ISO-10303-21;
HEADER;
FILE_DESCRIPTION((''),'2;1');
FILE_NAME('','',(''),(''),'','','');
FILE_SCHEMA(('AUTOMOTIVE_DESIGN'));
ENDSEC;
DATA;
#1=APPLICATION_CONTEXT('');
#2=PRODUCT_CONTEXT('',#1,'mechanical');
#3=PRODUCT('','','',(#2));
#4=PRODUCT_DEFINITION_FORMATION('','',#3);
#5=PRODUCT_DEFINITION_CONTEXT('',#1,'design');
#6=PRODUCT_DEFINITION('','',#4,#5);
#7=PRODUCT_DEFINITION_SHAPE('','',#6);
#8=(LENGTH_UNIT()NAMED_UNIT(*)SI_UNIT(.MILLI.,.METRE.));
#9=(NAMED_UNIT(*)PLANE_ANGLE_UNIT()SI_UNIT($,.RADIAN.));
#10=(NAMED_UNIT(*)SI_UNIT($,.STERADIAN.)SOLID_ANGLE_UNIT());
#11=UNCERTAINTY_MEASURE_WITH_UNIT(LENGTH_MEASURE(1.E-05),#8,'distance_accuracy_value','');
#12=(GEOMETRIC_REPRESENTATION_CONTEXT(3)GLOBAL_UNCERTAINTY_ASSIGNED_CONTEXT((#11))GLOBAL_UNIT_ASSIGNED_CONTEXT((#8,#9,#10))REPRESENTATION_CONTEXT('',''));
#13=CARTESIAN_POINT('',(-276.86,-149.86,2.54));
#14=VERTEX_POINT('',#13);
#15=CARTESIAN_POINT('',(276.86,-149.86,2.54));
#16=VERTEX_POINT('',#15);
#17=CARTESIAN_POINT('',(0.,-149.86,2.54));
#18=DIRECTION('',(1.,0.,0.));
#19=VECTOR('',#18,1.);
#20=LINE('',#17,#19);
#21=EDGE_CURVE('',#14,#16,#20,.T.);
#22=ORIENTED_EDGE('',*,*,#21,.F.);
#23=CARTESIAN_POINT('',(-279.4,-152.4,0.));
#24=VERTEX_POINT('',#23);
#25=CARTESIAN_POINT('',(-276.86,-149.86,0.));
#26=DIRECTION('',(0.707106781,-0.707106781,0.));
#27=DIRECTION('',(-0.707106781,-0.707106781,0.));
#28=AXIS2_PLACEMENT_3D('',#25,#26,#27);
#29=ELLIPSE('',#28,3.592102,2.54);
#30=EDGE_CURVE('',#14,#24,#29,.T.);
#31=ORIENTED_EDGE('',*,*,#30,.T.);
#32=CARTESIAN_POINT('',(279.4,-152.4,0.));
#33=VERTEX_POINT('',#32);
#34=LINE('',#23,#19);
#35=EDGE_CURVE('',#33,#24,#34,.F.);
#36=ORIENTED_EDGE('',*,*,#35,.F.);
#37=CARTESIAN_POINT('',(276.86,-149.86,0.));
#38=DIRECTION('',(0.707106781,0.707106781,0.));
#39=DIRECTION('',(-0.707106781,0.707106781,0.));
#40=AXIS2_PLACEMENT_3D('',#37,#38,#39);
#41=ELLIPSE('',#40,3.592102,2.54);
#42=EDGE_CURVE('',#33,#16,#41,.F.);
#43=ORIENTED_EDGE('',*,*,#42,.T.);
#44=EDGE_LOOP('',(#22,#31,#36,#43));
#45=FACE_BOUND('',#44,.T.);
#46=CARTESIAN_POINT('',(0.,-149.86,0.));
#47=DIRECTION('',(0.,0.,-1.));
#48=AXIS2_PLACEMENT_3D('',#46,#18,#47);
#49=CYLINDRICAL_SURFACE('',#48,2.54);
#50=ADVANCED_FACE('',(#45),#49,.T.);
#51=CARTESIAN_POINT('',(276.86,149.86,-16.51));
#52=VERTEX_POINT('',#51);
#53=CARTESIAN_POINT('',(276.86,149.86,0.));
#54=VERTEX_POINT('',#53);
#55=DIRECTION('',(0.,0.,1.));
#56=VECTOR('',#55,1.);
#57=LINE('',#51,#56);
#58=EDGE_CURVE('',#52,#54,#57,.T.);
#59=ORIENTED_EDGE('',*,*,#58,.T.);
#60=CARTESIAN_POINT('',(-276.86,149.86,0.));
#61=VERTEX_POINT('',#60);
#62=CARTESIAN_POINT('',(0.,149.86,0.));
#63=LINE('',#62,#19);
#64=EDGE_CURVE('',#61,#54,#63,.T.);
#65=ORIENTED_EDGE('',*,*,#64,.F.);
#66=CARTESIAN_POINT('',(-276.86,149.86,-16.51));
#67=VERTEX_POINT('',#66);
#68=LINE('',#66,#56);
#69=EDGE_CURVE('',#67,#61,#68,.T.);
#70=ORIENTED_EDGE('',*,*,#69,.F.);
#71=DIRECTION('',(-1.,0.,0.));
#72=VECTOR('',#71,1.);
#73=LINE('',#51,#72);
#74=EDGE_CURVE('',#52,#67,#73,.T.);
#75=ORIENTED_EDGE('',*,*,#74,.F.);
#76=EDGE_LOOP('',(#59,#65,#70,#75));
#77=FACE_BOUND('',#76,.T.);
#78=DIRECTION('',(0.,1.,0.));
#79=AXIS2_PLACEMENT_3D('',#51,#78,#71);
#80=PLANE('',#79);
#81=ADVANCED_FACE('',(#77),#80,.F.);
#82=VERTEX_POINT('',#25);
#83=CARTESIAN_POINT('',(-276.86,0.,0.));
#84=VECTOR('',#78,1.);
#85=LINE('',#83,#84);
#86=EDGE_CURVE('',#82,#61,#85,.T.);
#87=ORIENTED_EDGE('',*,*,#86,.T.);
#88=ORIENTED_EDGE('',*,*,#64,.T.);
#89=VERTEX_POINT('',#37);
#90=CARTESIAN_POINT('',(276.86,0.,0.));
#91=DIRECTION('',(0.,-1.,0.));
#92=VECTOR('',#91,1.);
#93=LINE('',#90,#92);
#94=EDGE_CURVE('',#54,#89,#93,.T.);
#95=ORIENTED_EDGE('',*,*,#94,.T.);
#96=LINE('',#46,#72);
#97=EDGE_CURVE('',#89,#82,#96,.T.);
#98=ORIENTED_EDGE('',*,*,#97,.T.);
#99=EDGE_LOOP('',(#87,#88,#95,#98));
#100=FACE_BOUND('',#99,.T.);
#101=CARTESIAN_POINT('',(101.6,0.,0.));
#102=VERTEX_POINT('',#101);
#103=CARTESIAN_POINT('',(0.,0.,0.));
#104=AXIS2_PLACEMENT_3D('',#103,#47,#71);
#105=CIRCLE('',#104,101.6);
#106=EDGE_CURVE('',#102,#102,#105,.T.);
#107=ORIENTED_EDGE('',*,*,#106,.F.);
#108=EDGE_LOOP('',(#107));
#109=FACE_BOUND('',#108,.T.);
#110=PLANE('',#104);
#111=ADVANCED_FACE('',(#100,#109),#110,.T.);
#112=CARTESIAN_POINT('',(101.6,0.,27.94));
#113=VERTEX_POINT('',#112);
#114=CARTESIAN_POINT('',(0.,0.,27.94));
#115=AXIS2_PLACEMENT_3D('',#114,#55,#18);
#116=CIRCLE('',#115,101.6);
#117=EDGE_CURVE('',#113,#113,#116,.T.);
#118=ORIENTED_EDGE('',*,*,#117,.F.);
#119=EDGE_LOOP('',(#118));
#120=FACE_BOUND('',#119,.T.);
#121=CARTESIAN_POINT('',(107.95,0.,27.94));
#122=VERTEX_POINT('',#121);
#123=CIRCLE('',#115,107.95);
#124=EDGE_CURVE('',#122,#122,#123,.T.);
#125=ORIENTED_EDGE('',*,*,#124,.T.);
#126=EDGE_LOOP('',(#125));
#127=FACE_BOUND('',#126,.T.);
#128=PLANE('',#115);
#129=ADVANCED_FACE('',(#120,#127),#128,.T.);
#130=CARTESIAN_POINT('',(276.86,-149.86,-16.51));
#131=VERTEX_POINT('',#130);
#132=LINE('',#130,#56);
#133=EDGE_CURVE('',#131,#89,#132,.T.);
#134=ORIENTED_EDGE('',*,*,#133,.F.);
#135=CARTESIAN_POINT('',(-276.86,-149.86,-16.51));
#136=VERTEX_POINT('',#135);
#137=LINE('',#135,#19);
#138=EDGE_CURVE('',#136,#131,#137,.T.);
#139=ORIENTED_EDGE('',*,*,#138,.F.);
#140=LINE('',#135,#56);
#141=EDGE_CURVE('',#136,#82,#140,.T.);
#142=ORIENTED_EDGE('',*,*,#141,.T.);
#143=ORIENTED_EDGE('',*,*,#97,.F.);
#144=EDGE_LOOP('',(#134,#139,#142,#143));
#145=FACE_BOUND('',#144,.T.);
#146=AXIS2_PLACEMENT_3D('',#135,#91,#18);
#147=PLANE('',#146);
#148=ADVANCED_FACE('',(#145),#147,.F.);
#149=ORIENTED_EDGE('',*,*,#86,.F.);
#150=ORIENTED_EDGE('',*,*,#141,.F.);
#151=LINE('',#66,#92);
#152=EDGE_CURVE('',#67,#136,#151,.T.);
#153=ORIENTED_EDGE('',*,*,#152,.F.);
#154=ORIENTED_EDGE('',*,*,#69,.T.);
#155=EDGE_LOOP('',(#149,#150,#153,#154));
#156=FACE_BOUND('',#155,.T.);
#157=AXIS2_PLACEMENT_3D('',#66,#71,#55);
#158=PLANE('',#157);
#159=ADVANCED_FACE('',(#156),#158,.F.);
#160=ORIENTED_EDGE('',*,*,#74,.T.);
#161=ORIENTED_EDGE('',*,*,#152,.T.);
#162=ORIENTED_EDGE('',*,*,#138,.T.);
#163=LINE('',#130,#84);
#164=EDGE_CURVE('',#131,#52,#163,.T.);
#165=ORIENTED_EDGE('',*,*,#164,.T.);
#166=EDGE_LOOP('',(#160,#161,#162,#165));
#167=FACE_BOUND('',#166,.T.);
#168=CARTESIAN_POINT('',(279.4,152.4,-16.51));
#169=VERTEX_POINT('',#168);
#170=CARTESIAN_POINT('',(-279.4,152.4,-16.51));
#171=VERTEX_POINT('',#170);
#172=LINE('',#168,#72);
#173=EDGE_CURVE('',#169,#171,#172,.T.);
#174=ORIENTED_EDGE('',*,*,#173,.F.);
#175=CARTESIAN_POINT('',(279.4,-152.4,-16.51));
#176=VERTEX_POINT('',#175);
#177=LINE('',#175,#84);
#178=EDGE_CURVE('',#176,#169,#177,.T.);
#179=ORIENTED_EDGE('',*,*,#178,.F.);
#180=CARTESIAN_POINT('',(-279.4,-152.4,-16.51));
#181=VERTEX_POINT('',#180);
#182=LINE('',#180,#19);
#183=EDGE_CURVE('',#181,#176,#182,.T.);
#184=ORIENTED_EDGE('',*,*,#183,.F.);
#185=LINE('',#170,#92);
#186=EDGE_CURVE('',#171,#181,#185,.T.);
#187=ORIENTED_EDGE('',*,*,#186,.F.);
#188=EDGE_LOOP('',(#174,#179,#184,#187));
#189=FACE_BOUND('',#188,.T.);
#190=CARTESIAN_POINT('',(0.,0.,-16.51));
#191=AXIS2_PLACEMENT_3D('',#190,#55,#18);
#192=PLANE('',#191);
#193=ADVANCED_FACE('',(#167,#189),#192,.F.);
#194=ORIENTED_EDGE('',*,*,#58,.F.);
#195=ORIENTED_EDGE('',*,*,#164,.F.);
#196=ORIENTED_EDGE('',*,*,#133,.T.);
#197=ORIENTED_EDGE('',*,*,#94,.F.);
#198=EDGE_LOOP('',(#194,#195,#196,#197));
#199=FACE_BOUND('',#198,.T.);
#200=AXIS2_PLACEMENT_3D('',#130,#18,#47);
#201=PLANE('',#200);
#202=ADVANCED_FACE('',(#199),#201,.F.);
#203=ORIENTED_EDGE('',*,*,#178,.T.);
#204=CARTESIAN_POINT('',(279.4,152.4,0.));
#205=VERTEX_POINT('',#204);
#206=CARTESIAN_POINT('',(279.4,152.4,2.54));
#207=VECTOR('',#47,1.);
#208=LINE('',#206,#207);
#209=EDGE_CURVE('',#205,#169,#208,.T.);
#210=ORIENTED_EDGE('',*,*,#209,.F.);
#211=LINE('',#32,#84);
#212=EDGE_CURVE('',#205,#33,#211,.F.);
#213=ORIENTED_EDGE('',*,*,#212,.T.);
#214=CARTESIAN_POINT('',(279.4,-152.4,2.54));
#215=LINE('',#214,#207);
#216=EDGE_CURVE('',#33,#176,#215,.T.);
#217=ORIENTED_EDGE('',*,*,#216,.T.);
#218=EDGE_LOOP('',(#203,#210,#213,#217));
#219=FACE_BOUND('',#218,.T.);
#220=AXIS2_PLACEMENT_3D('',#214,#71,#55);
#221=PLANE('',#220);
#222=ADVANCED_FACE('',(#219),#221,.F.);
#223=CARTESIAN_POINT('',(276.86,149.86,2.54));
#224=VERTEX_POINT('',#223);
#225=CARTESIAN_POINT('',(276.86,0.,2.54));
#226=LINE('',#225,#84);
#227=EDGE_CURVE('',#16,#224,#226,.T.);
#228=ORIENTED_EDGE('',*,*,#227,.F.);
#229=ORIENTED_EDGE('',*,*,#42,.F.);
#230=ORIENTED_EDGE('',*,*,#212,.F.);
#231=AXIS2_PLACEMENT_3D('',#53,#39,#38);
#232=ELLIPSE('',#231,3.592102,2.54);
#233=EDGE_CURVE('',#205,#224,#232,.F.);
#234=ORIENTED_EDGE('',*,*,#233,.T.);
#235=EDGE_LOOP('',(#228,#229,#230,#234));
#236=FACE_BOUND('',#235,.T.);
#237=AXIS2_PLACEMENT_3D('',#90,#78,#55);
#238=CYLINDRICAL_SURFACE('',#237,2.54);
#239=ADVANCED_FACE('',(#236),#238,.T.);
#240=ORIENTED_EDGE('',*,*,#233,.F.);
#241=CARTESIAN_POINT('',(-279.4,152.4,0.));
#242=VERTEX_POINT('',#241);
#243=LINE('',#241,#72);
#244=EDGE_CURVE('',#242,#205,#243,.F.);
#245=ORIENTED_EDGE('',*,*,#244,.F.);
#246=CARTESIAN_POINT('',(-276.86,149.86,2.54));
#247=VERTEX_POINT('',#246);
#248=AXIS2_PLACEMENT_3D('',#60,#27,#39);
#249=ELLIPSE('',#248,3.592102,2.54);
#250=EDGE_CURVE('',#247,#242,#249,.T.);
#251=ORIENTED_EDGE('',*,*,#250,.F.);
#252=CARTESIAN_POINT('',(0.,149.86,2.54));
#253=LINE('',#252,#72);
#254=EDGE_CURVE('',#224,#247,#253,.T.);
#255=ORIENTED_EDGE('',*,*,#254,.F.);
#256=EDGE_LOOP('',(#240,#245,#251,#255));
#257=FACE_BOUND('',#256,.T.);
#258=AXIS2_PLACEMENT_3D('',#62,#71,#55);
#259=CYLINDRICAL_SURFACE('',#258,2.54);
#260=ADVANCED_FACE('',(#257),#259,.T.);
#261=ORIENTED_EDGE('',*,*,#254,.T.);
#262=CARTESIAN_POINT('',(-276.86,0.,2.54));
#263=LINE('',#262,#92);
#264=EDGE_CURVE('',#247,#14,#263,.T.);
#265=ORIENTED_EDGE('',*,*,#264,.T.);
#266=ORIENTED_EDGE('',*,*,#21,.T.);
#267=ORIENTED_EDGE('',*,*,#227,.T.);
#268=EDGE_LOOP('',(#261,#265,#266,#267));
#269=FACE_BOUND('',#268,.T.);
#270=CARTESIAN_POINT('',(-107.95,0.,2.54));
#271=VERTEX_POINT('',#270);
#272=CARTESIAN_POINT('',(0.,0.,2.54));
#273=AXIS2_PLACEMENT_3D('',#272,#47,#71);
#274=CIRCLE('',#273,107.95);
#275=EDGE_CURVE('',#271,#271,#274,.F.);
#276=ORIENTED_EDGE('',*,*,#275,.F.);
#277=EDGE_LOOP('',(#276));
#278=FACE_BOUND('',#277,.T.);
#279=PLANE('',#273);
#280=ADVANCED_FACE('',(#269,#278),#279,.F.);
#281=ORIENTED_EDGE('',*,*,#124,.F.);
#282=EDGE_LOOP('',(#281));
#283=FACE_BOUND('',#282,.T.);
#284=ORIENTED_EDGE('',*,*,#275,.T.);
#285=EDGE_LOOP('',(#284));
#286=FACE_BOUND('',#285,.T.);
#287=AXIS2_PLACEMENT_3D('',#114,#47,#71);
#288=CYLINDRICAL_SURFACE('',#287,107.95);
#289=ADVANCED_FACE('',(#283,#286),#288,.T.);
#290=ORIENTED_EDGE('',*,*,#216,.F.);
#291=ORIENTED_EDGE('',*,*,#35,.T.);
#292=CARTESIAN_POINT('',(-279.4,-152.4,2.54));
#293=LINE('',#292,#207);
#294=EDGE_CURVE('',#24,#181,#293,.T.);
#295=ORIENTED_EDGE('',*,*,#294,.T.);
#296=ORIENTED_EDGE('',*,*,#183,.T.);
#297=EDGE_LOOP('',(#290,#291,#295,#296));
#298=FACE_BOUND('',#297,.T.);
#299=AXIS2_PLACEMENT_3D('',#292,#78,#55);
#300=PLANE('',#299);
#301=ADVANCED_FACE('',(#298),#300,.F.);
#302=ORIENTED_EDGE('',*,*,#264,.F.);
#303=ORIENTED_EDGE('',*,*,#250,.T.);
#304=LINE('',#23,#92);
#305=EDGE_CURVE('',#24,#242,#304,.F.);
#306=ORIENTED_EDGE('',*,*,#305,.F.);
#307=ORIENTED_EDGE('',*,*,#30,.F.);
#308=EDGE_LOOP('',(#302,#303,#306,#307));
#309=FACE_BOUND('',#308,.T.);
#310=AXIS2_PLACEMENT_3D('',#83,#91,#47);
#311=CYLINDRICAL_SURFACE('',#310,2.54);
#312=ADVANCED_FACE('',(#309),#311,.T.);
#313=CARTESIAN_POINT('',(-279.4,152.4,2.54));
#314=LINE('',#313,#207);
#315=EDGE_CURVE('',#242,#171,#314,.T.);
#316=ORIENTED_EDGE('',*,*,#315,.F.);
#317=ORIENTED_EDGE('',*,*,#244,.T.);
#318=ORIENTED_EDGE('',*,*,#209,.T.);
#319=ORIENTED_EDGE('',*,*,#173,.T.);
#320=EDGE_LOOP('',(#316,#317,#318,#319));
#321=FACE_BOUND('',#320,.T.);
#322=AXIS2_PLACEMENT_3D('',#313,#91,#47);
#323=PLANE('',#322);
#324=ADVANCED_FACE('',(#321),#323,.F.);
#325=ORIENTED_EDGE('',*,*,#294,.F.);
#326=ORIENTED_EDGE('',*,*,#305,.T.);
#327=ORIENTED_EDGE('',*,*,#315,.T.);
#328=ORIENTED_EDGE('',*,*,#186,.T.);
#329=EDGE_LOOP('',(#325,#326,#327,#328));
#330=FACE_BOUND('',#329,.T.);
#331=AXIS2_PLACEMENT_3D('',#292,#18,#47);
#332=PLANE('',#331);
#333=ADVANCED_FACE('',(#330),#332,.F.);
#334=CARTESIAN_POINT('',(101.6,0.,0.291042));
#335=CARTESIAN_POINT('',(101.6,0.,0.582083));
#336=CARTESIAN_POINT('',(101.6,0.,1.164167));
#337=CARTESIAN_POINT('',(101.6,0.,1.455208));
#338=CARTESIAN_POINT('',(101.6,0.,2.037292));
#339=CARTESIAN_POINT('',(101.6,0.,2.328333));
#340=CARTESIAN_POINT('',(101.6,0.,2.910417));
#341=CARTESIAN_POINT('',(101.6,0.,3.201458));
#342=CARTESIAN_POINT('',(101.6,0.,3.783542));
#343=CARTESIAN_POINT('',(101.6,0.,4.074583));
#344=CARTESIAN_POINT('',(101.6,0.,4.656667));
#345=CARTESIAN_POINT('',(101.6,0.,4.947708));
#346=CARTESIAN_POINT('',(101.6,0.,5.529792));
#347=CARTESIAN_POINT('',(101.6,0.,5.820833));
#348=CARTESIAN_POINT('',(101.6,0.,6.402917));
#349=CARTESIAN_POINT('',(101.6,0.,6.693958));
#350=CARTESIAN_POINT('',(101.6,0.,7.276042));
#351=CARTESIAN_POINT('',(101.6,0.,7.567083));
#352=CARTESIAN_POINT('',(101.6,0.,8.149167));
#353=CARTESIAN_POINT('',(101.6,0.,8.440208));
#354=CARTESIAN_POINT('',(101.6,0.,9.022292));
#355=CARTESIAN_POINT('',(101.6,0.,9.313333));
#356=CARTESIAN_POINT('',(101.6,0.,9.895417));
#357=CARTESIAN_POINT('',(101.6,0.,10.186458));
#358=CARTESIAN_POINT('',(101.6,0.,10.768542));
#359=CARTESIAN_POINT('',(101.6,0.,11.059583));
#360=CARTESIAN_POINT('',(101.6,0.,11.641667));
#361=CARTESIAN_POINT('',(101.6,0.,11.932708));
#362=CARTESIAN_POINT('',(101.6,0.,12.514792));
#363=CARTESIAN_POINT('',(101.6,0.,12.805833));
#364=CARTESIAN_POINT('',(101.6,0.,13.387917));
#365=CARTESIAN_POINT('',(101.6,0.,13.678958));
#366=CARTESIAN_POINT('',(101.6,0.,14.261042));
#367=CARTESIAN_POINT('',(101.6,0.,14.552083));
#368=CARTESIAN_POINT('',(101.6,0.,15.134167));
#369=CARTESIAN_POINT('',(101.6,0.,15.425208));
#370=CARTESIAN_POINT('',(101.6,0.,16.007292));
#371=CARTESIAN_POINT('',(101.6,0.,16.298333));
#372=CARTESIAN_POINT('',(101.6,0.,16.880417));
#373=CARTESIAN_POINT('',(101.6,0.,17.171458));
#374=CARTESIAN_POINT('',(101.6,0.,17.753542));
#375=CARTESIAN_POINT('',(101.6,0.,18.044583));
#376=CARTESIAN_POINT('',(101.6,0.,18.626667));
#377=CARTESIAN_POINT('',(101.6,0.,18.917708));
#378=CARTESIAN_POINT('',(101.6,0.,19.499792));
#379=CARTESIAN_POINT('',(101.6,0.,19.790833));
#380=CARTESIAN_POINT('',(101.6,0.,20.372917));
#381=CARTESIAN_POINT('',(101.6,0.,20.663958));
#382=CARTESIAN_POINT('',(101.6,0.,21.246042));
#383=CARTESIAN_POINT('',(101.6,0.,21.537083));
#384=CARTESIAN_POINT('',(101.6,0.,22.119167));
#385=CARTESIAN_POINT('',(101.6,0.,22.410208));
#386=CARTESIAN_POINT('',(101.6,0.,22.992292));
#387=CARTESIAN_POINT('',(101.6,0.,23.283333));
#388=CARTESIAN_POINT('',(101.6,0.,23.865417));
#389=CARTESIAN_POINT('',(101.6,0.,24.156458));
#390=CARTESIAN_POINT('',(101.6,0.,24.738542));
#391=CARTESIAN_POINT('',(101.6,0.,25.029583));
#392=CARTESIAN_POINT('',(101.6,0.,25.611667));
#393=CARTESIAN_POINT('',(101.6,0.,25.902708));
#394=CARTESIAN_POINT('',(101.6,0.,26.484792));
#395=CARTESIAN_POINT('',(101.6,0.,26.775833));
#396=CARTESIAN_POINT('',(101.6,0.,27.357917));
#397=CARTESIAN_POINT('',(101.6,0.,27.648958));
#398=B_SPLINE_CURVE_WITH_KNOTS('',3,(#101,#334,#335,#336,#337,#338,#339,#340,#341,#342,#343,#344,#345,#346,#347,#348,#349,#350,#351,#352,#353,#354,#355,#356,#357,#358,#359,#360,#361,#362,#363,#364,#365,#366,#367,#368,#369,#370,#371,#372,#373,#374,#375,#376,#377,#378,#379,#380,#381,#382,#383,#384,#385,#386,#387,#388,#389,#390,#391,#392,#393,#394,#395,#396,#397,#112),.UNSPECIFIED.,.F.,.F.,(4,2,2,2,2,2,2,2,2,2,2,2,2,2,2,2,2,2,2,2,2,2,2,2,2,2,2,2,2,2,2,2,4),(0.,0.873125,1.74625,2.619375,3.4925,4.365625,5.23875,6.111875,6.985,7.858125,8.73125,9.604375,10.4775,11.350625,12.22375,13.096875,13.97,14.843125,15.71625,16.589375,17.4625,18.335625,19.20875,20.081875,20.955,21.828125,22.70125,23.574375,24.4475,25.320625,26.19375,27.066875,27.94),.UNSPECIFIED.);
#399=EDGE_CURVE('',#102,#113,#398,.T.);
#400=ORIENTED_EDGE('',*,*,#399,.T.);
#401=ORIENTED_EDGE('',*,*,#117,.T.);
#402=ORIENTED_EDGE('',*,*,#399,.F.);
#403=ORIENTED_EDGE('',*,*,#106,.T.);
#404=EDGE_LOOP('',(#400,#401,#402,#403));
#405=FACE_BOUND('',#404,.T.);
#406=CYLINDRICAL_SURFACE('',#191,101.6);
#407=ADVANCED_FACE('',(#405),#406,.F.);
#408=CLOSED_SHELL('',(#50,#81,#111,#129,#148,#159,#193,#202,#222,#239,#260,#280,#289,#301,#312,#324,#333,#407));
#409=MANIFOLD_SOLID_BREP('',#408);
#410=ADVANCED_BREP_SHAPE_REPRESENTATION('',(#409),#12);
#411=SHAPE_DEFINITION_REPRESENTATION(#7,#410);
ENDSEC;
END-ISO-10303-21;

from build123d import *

# Parameters (mm, degrees)
SKETCH1_W           = 558.8
SKETCH1_H           = 304.8
BOSS_EXTRUDE1_DEPTH = 2.54
SKETCH2_W           = 558.8
SKETCH2_H           = 304.8
SKETCH2_W_2         = 553.72
SKETCH2_H_2         = 299.72
BOSS_EXTRUDE2_DEPTH = 19.05
FILLET1_R           = 2.54
SKETCH4_R           = 101.6
CUT_EXTRUDE2_DEPTH  = 19.05
BOSS_EXTRUDE3_START = 25.4
SKETCH5_R           = 107.95
SKETCH5_R_2         = 101.6
BOSS_EXTRUDE3_DEPTH = 25.4


with BuildPart() as part:
    # Sketch1 → Boss-Extrude1 (new body)
    with BuildSketch(Plane.XY):
        Rectangle(SKETCH1_W, SKETCH1_H)
    extrude(amount=BOSS_EXTRUDE1_DEPTH)

    # Sketch2 → Boss-Extrude2 (add)
    with BuildSketch(Plane.XY.offset(2.54)):
        Rectangle(SKETCH2_W, SKETCH2_H)
        Rectangle(SKETCH2_W_2, SKETCH2_H_2, mode=Mode.SUBTRACT)
    extrude(amount=-BOSS_EXTRUDE2_DEPTH)

    # Fillet1
    fillet1_edges = [part.edges().sort_by_distance(p)[0] for p in [
        (-279.4, 0, 2.54),
        (0, -152.4, 2.54),
        (279.4, 0, 2.54),
        (0, 152.4, 2.54),
    ]]
    fillet(fillet1_edges, radius=FILLET1_R)

    # Sketch4 → Cut-Extrude2 (cut)
    with BuildSketch(Plane.XY.offset(2.54)):
        Circle(SKETCH4_R)
    extrude(amount=-CUT_EXTRUDE2_DEPTH, mode=Mode.SUBTRACT)

    # Sketch5 → Boss-Extrude3 (add)
    with BuildSketch(Plane.XY.offset(2.54).offset(BOSS_EXTRUDE3_START)):
        with Locations(Location((0, 0, 0), (0, 0, 180))):
            Circle(SKETCH5_R)
        Circle(SKETCH5_R_2, mode=Mode.SUBTRACT)
    extrude(amount=-BOSS_EXTRUDE3_DEPTH)


solid = part.part
